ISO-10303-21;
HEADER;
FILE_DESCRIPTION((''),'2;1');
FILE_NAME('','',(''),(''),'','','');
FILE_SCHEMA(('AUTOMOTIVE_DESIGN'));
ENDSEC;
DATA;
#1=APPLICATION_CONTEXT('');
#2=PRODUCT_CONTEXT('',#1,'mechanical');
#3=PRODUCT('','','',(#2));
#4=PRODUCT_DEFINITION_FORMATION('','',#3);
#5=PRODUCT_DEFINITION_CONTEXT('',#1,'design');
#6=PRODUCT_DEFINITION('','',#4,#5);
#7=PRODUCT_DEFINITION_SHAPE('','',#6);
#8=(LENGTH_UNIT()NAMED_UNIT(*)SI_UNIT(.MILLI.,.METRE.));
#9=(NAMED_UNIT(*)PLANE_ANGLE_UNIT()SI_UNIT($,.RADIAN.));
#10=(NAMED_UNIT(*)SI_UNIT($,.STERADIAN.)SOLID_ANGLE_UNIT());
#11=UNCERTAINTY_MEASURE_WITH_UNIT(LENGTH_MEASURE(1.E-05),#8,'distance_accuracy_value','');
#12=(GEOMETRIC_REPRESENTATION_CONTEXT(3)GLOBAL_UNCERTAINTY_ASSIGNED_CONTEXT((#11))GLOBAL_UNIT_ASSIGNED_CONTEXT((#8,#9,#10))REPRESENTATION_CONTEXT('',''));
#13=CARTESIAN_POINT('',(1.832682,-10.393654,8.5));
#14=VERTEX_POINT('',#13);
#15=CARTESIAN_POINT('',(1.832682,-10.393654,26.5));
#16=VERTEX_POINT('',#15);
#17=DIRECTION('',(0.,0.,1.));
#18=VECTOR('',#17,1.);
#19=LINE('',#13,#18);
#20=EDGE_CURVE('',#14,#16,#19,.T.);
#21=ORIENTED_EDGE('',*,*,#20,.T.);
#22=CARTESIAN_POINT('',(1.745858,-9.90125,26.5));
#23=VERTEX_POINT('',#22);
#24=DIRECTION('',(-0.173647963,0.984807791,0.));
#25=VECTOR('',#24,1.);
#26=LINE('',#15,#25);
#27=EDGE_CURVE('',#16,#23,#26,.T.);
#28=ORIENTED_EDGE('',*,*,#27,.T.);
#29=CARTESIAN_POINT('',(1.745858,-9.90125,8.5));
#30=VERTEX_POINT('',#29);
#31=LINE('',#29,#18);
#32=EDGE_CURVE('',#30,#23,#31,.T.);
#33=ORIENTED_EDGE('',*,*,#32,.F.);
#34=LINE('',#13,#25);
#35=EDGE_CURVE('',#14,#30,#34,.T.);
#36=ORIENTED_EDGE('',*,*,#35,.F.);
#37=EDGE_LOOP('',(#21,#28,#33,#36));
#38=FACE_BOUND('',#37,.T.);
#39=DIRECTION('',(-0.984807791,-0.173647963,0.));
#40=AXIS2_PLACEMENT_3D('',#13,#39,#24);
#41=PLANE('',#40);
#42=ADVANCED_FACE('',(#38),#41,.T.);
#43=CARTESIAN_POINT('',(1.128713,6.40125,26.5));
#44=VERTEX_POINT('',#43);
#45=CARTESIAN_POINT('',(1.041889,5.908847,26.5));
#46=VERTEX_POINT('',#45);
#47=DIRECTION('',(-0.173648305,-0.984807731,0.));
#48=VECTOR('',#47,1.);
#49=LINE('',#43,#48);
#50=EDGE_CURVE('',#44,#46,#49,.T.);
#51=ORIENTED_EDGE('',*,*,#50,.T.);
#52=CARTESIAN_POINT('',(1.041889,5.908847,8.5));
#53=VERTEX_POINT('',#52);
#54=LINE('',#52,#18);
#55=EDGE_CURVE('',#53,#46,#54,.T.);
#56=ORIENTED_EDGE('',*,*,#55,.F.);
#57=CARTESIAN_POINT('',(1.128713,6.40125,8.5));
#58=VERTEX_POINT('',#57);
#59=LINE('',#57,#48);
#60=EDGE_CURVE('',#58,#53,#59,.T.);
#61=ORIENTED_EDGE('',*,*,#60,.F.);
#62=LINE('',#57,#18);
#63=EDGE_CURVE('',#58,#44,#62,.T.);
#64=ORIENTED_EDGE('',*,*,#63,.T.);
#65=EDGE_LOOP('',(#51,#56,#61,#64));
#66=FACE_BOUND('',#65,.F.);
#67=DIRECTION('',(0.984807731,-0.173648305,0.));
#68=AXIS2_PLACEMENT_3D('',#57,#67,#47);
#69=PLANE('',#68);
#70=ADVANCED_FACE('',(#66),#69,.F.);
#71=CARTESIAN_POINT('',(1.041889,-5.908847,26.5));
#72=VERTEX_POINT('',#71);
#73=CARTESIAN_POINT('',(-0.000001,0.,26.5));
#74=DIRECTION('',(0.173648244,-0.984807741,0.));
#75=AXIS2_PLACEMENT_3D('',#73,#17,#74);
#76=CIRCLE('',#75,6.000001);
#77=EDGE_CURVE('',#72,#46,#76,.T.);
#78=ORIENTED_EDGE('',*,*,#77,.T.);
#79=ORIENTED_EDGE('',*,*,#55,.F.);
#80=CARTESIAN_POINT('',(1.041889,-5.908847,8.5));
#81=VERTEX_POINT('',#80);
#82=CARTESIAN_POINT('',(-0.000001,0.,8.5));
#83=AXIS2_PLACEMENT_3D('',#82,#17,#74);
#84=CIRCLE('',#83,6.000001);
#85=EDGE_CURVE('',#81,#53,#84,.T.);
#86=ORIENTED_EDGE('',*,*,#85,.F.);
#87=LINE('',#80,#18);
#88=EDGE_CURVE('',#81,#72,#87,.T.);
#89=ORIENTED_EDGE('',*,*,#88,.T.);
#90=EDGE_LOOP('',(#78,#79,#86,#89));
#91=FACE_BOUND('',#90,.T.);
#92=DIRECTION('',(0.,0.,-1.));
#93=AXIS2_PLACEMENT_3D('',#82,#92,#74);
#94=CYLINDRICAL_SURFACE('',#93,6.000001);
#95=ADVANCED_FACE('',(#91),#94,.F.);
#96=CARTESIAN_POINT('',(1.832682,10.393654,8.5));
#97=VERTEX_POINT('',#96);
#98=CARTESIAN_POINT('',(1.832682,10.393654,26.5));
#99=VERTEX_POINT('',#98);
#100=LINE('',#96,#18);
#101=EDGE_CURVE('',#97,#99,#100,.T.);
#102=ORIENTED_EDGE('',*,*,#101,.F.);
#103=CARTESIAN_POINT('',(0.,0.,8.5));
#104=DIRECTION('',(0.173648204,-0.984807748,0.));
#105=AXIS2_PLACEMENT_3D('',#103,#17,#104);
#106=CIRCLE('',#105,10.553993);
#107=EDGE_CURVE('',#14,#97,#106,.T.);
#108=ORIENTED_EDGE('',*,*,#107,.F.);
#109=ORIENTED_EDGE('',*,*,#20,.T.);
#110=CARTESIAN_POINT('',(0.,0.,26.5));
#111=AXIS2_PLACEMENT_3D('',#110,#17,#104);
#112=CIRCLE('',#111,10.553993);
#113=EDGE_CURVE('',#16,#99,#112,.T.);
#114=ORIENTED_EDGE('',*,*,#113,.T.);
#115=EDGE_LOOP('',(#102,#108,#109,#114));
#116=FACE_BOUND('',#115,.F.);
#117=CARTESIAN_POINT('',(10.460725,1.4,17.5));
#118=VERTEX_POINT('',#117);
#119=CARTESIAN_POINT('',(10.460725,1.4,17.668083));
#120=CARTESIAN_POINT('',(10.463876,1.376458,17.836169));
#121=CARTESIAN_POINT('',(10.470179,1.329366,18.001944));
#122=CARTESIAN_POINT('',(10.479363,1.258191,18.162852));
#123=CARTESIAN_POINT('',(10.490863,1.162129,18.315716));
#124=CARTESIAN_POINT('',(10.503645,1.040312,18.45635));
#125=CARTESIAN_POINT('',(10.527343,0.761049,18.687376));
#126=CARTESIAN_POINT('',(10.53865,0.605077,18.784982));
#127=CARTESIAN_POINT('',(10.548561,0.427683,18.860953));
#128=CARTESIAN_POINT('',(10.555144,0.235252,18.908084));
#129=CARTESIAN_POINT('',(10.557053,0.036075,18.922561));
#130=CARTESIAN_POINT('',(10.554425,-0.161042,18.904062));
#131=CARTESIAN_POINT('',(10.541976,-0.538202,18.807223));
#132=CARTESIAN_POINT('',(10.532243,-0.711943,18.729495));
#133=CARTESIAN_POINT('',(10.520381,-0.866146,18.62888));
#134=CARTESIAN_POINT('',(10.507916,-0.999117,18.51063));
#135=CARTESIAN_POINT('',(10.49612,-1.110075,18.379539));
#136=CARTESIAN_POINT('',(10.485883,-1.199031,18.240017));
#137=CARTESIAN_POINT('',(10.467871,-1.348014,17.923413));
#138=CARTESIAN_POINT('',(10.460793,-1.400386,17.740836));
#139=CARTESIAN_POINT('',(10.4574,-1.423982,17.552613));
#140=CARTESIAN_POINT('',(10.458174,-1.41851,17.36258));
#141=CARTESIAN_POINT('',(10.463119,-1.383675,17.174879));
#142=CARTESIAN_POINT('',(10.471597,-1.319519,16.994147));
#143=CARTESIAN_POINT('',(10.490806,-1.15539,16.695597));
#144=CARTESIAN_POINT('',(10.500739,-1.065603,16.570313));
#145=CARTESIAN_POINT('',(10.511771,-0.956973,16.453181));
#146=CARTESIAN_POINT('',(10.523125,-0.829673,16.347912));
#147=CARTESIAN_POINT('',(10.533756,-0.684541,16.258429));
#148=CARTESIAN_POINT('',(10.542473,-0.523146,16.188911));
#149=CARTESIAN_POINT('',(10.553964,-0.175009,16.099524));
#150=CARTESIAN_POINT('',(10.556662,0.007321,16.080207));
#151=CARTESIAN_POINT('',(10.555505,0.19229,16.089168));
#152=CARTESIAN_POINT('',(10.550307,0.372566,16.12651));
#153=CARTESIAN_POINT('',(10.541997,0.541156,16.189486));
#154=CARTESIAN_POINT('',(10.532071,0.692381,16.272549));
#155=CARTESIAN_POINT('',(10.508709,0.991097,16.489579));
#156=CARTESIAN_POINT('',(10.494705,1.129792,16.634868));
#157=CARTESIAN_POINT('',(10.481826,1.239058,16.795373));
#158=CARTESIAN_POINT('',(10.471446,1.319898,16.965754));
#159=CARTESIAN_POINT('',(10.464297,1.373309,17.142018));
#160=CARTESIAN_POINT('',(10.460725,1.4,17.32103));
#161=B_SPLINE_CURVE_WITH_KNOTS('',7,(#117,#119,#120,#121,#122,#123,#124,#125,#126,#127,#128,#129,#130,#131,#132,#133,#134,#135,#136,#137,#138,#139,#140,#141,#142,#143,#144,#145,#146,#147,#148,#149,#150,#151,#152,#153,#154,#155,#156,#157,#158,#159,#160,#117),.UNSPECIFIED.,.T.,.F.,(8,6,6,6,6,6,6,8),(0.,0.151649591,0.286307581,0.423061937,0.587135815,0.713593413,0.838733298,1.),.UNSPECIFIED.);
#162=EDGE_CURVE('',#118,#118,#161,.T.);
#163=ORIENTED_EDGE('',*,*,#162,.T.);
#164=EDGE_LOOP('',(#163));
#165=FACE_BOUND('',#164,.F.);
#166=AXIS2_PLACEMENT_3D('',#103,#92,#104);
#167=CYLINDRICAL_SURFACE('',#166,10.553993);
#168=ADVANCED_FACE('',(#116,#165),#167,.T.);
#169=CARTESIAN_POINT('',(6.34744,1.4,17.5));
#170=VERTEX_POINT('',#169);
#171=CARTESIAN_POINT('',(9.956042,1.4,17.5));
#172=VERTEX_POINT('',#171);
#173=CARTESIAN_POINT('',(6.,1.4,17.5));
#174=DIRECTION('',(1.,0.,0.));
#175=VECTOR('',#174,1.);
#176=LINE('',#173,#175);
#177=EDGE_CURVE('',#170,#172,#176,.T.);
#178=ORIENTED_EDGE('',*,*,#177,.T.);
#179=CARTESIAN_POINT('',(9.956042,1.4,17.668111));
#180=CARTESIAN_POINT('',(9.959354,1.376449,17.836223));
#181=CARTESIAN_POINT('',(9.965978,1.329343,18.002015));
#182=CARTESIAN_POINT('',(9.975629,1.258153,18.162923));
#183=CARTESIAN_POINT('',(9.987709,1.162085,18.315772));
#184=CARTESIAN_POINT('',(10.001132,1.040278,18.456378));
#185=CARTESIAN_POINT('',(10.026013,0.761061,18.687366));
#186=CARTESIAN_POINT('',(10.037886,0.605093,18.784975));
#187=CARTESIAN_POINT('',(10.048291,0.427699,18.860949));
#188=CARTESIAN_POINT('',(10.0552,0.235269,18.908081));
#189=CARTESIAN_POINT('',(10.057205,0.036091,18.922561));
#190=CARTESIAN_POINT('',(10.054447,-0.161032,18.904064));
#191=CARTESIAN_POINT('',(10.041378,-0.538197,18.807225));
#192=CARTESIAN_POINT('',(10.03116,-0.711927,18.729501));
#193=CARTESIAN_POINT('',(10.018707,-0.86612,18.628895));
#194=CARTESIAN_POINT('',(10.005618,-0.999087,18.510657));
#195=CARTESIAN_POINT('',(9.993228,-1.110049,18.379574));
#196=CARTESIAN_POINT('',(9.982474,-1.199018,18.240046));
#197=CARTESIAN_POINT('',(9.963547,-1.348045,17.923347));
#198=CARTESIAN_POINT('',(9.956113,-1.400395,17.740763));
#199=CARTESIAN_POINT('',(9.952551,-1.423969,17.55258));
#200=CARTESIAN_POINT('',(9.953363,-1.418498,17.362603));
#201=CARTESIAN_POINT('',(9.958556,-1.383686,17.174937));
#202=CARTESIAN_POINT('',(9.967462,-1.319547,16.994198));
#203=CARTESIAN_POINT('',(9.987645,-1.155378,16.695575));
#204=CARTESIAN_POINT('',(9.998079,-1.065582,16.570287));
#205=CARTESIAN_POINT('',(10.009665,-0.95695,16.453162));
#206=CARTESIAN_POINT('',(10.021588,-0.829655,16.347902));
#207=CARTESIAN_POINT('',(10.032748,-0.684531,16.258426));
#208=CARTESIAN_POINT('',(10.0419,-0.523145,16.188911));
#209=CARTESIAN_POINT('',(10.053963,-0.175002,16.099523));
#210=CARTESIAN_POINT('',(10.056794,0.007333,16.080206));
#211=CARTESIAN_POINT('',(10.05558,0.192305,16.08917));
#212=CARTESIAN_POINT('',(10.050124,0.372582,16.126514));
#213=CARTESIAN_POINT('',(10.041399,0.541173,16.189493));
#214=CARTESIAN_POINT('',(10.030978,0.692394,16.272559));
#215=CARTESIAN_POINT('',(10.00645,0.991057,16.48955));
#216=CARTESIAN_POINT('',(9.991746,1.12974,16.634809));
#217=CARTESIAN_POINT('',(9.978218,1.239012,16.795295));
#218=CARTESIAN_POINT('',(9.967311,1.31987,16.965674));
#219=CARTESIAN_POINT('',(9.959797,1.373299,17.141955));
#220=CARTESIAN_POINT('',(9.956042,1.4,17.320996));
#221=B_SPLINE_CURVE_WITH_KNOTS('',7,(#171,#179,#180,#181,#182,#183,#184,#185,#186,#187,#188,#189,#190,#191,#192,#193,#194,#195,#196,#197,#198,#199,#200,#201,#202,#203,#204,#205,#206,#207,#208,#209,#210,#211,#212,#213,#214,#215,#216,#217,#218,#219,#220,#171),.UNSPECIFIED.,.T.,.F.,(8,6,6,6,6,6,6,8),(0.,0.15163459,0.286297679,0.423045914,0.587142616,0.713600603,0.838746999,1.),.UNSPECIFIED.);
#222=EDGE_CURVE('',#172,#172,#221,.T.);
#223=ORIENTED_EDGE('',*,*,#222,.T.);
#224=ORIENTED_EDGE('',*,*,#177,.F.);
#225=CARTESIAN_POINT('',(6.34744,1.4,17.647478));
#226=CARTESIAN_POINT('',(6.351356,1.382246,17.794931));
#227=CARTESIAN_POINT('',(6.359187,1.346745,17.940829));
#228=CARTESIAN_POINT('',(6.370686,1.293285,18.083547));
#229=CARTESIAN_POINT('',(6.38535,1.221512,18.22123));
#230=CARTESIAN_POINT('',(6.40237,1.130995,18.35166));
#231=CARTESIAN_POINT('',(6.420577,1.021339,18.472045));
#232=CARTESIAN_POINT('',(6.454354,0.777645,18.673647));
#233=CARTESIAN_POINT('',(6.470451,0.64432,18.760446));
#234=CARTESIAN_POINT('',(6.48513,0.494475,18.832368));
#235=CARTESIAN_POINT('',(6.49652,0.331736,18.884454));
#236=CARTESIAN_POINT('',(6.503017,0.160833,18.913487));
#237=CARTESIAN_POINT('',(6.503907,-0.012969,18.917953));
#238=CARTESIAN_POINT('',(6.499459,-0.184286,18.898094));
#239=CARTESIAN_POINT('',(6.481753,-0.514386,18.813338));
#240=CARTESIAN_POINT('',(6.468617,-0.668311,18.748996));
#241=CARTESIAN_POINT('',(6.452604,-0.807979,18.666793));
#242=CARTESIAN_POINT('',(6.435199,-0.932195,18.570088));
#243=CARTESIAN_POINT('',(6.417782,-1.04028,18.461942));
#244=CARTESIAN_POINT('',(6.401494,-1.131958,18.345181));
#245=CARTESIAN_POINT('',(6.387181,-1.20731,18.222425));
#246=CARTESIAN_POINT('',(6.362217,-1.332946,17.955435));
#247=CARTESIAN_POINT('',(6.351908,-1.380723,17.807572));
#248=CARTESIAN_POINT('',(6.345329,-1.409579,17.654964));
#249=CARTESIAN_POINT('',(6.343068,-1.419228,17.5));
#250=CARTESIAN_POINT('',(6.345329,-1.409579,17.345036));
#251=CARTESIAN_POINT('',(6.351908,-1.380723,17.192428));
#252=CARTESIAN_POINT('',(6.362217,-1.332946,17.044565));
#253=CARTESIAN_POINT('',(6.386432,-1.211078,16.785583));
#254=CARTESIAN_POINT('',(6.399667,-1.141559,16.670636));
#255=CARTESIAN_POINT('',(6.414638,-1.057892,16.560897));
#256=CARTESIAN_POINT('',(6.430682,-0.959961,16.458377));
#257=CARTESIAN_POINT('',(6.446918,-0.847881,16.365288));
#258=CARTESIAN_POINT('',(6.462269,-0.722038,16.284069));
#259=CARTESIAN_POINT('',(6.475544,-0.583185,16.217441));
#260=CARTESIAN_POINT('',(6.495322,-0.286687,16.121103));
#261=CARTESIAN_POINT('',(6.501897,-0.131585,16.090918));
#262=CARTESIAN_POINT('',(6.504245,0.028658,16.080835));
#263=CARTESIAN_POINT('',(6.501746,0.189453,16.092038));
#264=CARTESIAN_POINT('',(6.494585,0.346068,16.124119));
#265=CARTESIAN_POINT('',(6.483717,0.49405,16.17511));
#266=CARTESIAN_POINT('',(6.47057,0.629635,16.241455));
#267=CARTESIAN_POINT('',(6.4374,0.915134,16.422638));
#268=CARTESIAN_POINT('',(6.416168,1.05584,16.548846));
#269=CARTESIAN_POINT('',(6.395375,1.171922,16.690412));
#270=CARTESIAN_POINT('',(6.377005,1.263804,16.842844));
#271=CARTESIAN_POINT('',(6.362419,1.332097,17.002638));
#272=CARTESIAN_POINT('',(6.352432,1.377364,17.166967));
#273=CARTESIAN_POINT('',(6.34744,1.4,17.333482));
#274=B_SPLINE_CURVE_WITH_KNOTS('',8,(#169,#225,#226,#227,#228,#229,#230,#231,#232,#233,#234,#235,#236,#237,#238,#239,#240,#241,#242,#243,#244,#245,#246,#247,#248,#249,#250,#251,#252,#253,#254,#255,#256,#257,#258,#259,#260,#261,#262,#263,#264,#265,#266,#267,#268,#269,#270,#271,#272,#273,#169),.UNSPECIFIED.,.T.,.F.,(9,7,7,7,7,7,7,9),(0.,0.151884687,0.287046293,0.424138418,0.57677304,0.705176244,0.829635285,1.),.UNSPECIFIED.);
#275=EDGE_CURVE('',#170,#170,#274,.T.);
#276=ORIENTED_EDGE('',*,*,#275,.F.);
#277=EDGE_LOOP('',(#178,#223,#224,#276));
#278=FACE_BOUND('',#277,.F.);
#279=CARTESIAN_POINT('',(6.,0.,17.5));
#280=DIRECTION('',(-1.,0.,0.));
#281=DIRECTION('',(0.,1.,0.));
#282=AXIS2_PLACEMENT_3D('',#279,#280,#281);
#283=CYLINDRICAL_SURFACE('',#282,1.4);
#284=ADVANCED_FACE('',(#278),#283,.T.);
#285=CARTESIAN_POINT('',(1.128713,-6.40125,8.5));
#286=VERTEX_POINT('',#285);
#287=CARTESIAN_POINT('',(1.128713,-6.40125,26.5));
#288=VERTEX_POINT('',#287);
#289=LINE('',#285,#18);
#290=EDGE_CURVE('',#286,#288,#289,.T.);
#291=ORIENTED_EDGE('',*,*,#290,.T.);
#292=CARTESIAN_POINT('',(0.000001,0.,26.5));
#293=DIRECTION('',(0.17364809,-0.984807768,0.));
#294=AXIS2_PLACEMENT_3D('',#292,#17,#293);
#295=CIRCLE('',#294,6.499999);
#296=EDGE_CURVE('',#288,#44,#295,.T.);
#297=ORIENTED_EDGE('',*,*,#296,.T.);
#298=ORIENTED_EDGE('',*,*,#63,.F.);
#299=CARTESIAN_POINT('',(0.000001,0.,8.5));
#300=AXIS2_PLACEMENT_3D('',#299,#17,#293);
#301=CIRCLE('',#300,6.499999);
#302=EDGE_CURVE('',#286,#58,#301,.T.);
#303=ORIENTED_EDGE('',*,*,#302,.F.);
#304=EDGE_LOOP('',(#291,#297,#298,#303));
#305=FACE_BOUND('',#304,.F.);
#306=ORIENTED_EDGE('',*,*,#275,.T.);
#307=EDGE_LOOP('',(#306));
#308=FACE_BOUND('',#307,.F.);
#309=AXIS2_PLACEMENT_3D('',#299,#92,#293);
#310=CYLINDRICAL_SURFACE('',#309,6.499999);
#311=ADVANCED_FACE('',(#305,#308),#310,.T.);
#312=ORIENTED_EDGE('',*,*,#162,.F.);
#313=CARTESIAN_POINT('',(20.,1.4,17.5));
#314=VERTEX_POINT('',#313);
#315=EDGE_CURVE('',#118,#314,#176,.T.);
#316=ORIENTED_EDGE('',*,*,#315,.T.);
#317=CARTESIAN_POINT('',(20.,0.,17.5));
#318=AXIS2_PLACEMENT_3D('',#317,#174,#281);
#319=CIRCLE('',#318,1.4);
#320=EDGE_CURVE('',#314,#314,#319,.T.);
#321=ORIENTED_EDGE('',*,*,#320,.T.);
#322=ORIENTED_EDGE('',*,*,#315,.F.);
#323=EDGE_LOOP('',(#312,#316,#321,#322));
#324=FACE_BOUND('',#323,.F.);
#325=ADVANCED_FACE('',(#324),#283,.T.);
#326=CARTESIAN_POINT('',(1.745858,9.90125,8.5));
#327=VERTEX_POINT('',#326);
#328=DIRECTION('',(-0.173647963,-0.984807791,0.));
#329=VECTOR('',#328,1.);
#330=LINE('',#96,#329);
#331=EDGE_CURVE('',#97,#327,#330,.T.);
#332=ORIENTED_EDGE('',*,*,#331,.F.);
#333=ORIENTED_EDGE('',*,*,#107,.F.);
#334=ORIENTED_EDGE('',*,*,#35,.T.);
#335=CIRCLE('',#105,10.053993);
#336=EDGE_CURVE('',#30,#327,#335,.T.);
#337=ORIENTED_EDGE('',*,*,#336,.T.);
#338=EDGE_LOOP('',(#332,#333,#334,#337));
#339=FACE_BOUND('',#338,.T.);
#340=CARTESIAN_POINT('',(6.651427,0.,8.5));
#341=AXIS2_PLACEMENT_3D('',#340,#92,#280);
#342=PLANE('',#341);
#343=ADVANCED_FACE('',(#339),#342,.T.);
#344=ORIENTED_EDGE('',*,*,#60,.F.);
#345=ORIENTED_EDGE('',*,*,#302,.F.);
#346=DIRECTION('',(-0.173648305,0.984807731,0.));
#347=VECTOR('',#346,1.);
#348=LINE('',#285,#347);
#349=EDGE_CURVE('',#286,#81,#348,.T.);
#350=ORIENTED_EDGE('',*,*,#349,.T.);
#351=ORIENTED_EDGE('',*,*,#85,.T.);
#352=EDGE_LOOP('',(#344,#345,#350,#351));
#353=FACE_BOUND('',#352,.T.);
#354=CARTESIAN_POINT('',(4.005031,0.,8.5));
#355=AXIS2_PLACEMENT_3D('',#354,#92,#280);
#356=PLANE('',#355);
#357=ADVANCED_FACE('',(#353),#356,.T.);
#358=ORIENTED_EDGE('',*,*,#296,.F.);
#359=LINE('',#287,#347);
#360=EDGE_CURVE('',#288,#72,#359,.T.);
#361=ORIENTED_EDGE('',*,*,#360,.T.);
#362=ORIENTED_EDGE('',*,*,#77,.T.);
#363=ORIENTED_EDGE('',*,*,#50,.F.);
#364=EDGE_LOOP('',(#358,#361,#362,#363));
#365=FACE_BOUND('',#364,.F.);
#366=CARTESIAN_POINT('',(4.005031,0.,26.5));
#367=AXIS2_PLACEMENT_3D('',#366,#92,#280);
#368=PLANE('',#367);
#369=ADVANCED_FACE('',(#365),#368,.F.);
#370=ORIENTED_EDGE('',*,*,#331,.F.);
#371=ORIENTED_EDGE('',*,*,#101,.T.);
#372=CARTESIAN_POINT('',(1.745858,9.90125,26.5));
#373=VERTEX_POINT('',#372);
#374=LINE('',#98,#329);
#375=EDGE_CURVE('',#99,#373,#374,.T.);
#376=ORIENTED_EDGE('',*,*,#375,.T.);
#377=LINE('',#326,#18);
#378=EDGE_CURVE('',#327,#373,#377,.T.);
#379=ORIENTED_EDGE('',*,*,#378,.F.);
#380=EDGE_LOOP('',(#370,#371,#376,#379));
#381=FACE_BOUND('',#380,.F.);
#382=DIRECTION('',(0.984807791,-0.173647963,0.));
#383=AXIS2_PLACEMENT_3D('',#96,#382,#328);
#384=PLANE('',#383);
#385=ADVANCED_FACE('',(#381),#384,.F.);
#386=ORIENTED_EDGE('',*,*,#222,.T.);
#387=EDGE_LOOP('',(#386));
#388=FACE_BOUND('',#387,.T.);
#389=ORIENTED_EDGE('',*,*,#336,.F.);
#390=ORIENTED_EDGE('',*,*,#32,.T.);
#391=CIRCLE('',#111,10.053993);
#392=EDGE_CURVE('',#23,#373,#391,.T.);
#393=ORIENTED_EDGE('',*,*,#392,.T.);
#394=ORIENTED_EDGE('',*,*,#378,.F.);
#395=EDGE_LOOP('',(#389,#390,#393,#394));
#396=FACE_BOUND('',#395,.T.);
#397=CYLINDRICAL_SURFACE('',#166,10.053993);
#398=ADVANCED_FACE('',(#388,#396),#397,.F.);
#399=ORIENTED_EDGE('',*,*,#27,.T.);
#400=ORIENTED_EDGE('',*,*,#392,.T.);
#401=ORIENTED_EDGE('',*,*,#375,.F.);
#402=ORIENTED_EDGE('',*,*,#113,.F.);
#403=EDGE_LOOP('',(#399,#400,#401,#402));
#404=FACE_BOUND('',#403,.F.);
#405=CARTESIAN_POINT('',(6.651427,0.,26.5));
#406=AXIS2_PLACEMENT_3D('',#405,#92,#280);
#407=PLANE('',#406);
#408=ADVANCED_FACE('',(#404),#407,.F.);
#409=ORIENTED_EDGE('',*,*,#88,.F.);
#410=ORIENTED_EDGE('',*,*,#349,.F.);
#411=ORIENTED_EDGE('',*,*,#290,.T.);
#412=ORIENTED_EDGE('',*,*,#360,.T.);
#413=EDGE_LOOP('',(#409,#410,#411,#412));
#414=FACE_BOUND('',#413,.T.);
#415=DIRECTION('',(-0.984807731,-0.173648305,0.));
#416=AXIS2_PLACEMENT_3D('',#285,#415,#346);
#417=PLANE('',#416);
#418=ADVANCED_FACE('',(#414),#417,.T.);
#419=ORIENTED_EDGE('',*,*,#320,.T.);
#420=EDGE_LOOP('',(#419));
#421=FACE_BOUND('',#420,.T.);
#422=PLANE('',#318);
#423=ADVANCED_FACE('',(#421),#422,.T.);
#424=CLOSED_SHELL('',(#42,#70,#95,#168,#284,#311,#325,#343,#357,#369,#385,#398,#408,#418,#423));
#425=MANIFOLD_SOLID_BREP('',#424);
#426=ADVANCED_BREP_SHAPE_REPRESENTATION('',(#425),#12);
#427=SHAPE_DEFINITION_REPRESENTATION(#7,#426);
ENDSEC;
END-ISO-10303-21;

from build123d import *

# Parameters (mm, degrees)
PAD023_DEPTH = 18
SKETCH049_R  = 1.4
PAD024_DEPTH = 14
PAD025_DEPTH = 18


with BuildPart() as part:
    # Sketch046 → Pad023 (new body)
    with BuildSketch(Plane.XY.offset(8.5)):
        with BuildLine():
            ThreePointArc((1.041889, -5.908847), (6, 0), (1.041889, 5.908847))
            Line((1.128713, 6.40125), (1.041889, 5.908847))
            ThreePointArc((1.128713, -6.40125), (6.5, 0), (1.128713, 6.40125))
            Line((1.128713, -6.40125), (1.041889, -5.908847))
        make_face()
    extrude(amount=PAD023_DEPTH)

    # Sketch049 (on DatumPlane) → Pad024 (join)
    with BuildSketch(Plane(origin=(6, 0, 26.5), x_dir=(0, 1, 0), z_dir=(1, 0, 0))):
        with Locations((0, -9)):
            Circle(SKETCH049_R)
    extrude(amount=PAD024_DEPTH)

    # Sketch050 → Pad025 (join)
    with BuildSketch(Plane.XY.offset(8.5)):
        with BuildLine():
            ThreePointArc((1.745858, -9.90125), (10.053993, 0), (1.745858, 9.90125))
            Line((1.832682, 10.393654), (1.745858, 9.90125))
            ThreePointArc((1.832682, -10.393654), (10.553993, 0), (1.832682, 10.393654))
            Line((1.832682, -10.393654), (1.745858, -9.90125))
        make_face()
    extrude(amount=PAD025_DEPTH)


solid = part.part
